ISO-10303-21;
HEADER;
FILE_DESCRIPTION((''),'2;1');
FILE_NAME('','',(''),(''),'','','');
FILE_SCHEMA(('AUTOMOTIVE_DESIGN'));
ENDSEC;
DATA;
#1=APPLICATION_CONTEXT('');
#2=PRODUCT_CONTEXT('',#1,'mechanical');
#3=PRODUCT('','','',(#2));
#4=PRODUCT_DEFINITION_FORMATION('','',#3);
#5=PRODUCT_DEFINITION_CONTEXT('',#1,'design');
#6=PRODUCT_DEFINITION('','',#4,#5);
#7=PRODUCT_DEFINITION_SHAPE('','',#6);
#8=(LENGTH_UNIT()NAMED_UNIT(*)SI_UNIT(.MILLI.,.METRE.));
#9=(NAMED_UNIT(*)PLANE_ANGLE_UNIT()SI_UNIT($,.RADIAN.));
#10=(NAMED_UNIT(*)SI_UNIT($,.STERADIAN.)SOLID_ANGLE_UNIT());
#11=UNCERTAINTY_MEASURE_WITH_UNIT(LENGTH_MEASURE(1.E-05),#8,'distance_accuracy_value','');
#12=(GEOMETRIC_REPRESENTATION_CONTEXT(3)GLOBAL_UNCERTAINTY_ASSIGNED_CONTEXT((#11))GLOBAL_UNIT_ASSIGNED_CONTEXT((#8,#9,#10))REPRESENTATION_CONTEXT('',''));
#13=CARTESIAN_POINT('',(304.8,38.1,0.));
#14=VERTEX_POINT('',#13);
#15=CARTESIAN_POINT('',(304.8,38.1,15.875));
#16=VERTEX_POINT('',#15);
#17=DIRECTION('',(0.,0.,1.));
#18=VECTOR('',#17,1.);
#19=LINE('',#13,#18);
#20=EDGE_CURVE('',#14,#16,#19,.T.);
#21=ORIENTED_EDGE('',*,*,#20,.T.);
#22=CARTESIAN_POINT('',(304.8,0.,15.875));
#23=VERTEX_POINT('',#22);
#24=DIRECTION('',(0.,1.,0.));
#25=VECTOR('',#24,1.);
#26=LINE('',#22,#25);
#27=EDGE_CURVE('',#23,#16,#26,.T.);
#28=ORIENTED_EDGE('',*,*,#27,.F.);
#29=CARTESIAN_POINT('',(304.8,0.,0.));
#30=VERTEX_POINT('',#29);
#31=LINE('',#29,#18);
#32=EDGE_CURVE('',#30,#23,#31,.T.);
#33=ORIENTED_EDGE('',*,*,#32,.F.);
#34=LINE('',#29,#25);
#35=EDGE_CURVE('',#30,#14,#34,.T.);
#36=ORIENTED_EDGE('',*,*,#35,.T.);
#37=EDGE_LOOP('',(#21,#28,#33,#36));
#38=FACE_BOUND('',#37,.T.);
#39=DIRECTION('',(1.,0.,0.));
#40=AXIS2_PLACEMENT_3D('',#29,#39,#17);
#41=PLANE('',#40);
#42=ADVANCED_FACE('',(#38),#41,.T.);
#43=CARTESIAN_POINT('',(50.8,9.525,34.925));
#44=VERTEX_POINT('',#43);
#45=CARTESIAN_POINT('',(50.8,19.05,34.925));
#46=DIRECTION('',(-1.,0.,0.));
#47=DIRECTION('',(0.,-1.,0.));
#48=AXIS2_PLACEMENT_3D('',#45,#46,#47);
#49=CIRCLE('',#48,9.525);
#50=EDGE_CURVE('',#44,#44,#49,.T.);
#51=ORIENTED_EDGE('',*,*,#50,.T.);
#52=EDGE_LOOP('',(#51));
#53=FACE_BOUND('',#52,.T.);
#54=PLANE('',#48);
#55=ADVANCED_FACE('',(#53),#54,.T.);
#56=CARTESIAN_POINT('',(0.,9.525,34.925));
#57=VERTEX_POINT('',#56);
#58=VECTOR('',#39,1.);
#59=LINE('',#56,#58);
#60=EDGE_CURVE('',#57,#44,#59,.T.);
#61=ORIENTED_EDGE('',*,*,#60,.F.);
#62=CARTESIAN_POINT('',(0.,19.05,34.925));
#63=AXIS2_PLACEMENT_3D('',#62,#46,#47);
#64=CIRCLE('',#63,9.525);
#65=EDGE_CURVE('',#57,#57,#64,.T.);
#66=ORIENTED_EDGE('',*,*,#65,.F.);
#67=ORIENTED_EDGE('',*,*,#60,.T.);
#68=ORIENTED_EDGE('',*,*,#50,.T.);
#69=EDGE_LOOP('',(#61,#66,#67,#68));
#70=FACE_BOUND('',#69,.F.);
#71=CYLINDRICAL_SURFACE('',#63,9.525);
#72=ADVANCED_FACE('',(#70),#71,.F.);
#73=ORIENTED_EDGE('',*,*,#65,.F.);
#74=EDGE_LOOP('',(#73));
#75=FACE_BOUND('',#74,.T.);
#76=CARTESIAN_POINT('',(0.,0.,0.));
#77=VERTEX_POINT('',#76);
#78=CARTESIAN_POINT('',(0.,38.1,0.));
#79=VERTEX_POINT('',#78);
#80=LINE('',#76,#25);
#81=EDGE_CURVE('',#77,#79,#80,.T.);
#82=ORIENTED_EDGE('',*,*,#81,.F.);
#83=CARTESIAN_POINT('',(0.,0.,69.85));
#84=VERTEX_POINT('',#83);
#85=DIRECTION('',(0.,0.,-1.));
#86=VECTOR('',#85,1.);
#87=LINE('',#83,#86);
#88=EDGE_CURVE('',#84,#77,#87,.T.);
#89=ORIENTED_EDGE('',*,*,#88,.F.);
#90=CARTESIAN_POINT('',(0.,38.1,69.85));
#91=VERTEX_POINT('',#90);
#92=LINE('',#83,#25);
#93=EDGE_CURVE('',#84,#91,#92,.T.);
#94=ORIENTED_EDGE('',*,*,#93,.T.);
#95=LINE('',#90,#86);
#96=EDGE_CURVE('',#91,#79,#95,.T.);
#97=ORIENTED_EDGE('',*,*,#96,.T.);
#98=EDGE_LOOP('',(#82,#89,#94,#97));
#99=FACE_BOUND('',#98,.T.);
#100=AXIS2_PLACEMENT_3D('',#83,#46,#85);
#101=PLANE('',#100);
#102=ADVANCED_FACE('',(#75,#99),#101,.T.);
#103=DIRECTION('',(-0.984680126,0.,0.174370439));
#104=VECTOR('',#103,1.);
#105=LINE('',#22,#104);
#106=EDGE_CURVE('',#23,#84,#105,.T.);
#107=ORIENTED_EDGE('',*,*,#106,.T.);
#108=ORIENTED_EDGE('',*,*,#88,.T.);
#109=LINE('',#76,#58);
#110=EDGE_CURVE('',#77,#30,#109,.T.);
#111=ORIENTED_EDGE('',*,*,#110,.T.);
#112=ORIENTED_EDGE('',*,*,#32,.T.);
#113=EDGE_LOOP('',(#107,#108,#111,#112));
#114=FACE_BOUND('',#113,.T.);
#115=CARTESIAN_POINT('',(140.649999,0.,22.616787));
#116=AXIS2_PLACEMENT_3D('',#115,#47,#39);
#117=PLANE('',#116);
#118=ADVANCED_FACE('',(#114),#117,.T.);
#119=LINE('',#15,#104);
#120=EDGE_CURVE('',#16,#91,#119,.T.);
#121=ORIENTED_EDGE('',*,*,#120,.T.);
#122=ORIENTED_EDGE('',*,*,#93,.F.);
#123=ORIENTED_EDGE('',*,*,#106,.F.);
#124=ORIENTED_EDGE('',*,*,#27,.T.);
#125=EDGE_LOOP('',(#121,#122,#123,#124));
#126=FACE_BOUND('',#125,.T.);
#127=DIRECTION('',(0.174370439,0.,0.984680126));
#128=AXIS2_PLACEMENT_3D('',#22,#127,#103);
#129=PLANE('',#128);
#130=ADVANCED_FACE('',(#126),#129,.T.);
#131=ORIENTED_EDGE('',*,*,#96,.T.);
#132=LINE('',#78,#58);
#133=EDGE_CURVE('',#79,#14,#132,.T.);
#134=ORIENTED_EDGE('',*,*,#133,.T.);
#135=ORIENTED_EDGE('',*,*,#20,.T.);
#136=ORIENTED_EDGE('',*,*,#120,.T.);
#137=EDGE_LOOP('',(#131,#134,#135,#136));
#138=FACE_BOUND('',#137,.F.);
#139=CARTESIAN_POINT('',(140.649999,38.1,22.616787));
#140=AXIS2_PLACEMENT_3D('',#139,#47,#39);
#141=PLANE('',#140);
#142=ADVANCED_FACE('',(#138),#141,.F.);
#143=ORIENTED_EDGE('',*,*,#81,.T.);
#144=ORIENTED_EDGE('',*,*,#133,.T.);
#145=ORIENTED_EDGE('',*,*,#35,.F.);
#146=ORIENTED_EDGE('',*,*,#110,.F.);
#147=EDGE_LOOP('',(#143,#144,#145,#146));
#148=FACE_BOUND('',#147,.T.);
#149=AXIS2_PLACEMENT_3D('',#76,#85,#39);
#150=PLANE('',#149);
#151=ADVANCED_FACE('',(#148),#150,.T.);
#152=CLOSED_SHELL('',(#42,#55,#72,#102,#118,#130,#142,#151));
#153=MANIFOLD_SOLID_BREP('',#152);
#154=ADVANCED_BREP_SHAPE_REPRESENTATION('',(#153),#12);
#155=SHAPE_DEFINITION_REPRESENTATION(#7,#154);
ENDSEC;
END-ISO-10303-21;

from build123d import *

# Parameters (mm, degrees)
F1_DEPTH = 38.1
F2_R     = 9.525
F3_DEPTH = 50.8


with BuildPart() as f1:
    # F0 (on Front) → F1 (new body)
    with BuildSketch(Plane.XZ):
        Polygon((0, 69.85), (0, 0), (304.8, 0), (304.8, 15.875), align=None)
    extrude(amount=-F1_DEPTH)

    # F2 (on face) → F3 (cut)
    with BuildSketch(Plane(origin=(0, 0, 0), x_dir=(0, -1, 0), z_dir=(-1, 0, 0))):
        with Locations((-19.05, 34.925)):
            Circle(F2_R)
    extrude(amount=-F3_DEPTH, mode=Mode.SUBTRACT)


solid = f1.part
